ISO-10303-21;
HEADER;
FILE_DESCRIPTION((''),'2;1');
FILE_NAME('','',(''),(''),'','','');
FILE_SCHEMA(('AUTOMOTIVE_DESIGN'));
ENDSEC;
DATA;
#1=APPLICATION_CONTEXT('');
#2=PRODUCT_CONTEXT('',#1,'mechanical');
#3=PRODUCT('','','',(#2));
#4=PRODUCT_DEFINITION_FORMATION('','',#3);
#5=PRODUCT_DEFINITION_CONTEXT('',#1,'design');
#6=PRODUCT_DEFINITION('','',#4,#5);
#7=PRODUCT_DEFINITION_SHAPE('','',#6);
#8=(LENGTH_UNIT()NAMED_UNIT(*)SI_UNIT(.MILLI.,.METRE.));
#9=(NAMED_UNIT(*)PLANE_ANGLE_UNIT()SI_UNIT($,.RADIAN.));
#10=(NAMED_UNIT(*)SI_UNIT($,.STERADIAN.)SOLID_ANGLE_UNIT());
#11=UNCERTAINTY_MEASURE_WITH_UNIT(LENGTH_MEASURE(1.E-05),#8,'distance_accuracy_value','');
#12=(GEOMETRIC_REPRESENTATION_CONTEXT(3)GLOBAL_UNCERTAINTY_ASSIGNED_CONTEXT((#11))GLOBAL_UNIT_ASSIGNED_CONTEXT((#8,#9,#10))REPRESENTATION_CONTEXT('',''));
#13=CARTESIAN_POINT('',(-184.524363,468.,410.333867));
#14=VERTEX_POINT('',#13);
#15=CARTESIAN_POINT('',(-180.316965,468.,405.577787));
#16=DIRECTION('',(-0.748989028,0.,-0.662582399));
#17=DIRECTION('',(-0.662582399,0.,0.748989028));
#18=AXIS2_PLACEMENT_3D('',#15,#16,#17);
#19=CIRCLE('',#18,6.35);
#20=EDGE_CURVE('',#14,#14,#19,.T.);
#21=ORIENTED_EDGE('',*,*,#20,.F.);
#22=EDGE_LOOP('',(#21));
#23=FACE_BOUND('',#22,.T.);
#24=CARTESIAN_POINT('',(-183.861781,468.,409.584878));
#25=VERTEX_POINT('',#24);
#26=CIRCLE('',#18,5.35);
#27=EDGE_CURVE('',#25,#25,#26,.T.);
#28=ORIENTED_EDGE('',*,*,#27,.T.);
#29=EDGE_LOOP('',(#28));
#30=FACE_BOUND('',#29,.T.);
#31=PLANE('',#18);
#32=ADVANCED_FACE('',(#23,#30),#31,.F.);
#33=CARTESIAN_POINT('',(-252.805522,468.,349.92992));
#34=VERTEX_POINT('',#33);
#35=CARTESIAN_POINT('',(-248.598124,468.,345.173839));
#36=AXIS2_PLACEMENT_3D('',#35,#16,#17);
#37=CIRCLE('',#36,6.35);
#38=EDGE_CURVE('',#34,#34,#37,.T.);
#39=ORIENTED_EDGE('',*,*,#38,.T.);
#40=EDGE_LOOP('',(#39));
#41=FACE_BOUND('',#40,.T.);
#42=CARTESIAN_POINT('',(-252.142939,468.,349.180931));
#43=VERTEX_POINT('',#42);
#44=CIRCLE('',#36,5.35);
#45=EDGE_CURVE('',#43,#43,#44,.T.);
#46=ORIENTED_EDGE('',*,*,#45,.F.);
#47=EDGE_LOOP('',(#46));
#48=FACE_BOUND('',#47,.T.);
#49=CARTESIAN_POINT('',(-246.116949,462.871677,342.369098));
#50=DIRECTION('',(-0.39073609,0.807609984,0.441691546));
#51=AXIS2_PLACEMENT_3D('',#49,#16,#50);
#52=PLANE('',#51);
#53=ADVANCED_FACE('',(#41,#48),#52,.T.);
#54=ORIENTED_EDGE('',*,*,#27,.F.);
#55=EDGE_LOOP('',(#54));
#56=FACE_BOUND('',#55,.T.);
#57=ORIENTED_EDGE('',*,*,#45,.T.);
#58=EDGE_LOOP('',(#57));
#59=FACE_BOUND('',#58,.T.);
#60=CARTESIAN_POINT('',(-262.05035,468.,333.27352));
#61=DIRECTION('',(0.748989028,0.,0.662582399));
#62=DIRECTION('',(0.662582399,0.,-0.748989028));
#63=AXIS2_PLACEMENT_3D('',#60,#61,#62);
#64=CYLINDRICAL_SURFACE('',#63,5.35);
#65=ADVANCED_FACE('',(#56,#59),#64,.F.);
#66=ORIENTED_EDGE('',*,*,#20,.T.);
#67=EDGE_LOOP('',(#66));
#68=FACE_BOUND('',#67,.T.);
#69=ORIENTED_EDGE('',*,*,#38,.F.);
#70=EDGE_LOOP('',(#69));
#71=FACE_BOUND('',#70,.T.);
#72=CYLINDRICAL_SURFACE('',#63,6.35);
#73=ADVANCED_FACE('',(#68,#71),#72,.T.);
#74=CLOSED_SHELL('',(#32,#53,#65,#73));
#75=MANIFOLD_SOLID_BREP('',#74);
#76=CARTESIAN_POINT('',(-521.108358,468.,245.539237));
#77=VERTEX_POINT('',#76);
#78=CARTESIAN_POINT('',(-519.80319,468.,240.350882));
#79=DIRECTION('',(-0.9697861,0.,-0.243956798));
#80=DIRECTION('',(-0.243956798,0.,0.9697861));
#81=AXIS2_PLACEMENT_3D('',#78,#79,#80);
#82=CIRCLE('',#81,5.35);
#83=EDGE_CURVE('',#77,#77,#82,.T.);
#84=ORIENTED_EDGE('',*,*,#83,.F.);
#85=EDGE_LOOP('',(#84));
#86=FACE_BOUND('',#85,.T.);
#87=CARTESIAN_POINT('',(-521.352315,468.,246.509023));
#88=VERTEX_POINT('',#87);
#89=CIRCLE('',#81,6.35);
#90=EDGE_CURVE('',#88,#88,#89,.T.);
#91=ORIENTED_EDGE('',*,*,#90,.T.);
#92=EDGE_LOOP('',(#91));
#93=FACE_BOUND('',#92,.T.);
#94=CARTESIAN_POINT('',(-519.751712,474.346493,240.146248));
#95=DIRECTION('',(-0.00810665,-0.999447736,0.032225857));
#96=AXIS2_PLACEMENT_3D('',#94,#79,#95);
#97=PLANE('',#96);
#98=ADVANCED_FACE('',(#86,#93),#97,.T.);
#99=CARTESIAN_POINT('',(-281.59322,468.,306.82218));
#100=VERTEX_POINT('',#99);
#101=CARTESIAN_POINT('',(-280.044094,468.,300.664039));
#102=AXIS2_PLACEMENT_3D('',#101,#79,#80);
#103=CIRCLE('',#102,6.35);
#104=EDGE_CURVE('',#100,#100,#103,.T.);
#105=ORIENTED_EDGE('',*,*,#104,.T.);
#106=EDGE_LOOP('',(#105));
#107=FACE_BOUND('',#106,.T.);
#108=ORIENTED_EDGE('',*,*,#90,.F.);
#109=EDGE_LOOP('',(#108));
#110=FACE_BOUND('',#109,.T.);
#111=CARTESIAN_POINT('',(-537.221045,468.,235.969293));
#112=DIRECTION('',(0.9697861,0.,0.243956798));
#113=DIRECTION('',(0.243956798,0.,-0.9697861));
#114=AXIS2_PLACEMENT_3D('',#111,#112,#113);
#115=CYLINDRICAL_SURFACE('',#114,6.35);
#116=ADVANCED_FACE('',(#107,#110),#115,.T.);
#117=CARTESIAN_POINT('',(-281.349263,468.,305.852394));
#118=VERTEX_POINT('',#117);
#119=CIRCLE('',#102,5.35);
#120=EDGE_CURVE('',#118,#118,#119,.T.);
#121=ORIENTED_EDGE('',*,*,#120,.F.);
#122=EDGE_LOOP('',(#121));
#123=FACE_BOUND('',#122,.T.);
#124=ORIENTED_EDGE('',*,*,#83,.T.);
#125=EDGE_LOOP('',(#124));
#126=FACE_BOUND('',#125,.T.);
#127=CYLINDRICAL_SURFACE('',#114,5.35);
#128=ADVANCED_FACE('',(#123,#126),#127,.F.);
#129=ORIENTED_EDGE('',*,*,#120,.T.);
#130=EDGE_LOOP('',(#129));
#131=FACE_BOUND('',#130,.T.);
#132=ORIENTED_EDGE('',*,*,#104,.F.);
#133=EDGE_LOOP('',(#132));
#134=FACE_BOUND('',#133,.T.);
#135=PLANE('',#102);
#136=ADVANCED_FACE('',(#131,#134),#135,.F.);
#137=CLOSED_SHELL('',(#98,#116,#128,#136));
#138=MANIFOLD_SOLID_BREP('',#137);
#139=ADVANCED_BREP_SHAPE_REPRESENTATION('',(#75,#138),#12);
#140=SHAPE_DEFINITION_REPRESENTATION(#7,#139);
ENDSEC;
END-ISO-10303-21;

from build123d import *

# Parameters (mm, degrees)
SZKIC1_R                    = 6.349999996
DODANIE_WYCI_GNI_CIE1_DEPTH = 91.164431394
SZKIC2_R                    = 6.349999998
DODANIE_WYCI_GNI_CIE2_DEPTH = 247.228842592
SKORUPA1_T                  = -1
SKORUPA2_T                  = -1


with BuildPart() as part:
    # Szkic1 → Dodanie-wyciągnięcie1 (new body)
    with BuildSketch(Plane(origin=(100.119816365, 0, 88.569559312), x_dir=(-0.6625823992959091, 0, 0.7489890280526655), z_dir=(-0.7489890280526655, 0, -0.6625823992959091))):
        with Locations((423.248159606, 467.999999999)):
            Circle(SZKIC1_R)
    extrude(amount=DODANIE_WYCI_GNI_CIE1_DEPTH)

    # Skorupa2
    skorupa2_openings = [part.faces().sort_by_distance(p)[0] for p in [
        (-180.316964724, 467.999999999, 405.577787),
        (-248.598123587, 467.999999999, 345.173839317),
    ]]
    offset(amount=SKORUPA2_T, openings=skorupa2_openings, kind=Kind.INTERSECTION)


with BuildPart() as body_2:
    # Szkic2 → Dodanie-wyciągnięcie2 (new body)
    with BuildSketch(Plane(origin=(-192.244416892, 1e-09, -48.36049147), x_dir=(-0.2439567983035096, 0, 0.9697861004167365), z_dir=(-0.9697861004167366, 6.6607780708785495e-12, -0.24395679830350964))):
        with Locations((359.898466208, 467.999999999)):
            Circle(SZKIC2_R)
    extrude(amount=DODANIE_WYCI_GNI_CIE2_DEPTH)

    # Skorupa1
    skorupa1_openings = [body_2.faces().sort_by_distance(p)[0] for p in [
        (-280.044094419, 468.000000001, 300.664038621),
        (-519.803189587, 468.000000002, 240.350881734),
    ]]
    offset(amount=SKORUPA1_T, openings=skorupa1_openings, kind=Kind.INTERSECTION)


solid = Compound([part.part, body_2.part])
